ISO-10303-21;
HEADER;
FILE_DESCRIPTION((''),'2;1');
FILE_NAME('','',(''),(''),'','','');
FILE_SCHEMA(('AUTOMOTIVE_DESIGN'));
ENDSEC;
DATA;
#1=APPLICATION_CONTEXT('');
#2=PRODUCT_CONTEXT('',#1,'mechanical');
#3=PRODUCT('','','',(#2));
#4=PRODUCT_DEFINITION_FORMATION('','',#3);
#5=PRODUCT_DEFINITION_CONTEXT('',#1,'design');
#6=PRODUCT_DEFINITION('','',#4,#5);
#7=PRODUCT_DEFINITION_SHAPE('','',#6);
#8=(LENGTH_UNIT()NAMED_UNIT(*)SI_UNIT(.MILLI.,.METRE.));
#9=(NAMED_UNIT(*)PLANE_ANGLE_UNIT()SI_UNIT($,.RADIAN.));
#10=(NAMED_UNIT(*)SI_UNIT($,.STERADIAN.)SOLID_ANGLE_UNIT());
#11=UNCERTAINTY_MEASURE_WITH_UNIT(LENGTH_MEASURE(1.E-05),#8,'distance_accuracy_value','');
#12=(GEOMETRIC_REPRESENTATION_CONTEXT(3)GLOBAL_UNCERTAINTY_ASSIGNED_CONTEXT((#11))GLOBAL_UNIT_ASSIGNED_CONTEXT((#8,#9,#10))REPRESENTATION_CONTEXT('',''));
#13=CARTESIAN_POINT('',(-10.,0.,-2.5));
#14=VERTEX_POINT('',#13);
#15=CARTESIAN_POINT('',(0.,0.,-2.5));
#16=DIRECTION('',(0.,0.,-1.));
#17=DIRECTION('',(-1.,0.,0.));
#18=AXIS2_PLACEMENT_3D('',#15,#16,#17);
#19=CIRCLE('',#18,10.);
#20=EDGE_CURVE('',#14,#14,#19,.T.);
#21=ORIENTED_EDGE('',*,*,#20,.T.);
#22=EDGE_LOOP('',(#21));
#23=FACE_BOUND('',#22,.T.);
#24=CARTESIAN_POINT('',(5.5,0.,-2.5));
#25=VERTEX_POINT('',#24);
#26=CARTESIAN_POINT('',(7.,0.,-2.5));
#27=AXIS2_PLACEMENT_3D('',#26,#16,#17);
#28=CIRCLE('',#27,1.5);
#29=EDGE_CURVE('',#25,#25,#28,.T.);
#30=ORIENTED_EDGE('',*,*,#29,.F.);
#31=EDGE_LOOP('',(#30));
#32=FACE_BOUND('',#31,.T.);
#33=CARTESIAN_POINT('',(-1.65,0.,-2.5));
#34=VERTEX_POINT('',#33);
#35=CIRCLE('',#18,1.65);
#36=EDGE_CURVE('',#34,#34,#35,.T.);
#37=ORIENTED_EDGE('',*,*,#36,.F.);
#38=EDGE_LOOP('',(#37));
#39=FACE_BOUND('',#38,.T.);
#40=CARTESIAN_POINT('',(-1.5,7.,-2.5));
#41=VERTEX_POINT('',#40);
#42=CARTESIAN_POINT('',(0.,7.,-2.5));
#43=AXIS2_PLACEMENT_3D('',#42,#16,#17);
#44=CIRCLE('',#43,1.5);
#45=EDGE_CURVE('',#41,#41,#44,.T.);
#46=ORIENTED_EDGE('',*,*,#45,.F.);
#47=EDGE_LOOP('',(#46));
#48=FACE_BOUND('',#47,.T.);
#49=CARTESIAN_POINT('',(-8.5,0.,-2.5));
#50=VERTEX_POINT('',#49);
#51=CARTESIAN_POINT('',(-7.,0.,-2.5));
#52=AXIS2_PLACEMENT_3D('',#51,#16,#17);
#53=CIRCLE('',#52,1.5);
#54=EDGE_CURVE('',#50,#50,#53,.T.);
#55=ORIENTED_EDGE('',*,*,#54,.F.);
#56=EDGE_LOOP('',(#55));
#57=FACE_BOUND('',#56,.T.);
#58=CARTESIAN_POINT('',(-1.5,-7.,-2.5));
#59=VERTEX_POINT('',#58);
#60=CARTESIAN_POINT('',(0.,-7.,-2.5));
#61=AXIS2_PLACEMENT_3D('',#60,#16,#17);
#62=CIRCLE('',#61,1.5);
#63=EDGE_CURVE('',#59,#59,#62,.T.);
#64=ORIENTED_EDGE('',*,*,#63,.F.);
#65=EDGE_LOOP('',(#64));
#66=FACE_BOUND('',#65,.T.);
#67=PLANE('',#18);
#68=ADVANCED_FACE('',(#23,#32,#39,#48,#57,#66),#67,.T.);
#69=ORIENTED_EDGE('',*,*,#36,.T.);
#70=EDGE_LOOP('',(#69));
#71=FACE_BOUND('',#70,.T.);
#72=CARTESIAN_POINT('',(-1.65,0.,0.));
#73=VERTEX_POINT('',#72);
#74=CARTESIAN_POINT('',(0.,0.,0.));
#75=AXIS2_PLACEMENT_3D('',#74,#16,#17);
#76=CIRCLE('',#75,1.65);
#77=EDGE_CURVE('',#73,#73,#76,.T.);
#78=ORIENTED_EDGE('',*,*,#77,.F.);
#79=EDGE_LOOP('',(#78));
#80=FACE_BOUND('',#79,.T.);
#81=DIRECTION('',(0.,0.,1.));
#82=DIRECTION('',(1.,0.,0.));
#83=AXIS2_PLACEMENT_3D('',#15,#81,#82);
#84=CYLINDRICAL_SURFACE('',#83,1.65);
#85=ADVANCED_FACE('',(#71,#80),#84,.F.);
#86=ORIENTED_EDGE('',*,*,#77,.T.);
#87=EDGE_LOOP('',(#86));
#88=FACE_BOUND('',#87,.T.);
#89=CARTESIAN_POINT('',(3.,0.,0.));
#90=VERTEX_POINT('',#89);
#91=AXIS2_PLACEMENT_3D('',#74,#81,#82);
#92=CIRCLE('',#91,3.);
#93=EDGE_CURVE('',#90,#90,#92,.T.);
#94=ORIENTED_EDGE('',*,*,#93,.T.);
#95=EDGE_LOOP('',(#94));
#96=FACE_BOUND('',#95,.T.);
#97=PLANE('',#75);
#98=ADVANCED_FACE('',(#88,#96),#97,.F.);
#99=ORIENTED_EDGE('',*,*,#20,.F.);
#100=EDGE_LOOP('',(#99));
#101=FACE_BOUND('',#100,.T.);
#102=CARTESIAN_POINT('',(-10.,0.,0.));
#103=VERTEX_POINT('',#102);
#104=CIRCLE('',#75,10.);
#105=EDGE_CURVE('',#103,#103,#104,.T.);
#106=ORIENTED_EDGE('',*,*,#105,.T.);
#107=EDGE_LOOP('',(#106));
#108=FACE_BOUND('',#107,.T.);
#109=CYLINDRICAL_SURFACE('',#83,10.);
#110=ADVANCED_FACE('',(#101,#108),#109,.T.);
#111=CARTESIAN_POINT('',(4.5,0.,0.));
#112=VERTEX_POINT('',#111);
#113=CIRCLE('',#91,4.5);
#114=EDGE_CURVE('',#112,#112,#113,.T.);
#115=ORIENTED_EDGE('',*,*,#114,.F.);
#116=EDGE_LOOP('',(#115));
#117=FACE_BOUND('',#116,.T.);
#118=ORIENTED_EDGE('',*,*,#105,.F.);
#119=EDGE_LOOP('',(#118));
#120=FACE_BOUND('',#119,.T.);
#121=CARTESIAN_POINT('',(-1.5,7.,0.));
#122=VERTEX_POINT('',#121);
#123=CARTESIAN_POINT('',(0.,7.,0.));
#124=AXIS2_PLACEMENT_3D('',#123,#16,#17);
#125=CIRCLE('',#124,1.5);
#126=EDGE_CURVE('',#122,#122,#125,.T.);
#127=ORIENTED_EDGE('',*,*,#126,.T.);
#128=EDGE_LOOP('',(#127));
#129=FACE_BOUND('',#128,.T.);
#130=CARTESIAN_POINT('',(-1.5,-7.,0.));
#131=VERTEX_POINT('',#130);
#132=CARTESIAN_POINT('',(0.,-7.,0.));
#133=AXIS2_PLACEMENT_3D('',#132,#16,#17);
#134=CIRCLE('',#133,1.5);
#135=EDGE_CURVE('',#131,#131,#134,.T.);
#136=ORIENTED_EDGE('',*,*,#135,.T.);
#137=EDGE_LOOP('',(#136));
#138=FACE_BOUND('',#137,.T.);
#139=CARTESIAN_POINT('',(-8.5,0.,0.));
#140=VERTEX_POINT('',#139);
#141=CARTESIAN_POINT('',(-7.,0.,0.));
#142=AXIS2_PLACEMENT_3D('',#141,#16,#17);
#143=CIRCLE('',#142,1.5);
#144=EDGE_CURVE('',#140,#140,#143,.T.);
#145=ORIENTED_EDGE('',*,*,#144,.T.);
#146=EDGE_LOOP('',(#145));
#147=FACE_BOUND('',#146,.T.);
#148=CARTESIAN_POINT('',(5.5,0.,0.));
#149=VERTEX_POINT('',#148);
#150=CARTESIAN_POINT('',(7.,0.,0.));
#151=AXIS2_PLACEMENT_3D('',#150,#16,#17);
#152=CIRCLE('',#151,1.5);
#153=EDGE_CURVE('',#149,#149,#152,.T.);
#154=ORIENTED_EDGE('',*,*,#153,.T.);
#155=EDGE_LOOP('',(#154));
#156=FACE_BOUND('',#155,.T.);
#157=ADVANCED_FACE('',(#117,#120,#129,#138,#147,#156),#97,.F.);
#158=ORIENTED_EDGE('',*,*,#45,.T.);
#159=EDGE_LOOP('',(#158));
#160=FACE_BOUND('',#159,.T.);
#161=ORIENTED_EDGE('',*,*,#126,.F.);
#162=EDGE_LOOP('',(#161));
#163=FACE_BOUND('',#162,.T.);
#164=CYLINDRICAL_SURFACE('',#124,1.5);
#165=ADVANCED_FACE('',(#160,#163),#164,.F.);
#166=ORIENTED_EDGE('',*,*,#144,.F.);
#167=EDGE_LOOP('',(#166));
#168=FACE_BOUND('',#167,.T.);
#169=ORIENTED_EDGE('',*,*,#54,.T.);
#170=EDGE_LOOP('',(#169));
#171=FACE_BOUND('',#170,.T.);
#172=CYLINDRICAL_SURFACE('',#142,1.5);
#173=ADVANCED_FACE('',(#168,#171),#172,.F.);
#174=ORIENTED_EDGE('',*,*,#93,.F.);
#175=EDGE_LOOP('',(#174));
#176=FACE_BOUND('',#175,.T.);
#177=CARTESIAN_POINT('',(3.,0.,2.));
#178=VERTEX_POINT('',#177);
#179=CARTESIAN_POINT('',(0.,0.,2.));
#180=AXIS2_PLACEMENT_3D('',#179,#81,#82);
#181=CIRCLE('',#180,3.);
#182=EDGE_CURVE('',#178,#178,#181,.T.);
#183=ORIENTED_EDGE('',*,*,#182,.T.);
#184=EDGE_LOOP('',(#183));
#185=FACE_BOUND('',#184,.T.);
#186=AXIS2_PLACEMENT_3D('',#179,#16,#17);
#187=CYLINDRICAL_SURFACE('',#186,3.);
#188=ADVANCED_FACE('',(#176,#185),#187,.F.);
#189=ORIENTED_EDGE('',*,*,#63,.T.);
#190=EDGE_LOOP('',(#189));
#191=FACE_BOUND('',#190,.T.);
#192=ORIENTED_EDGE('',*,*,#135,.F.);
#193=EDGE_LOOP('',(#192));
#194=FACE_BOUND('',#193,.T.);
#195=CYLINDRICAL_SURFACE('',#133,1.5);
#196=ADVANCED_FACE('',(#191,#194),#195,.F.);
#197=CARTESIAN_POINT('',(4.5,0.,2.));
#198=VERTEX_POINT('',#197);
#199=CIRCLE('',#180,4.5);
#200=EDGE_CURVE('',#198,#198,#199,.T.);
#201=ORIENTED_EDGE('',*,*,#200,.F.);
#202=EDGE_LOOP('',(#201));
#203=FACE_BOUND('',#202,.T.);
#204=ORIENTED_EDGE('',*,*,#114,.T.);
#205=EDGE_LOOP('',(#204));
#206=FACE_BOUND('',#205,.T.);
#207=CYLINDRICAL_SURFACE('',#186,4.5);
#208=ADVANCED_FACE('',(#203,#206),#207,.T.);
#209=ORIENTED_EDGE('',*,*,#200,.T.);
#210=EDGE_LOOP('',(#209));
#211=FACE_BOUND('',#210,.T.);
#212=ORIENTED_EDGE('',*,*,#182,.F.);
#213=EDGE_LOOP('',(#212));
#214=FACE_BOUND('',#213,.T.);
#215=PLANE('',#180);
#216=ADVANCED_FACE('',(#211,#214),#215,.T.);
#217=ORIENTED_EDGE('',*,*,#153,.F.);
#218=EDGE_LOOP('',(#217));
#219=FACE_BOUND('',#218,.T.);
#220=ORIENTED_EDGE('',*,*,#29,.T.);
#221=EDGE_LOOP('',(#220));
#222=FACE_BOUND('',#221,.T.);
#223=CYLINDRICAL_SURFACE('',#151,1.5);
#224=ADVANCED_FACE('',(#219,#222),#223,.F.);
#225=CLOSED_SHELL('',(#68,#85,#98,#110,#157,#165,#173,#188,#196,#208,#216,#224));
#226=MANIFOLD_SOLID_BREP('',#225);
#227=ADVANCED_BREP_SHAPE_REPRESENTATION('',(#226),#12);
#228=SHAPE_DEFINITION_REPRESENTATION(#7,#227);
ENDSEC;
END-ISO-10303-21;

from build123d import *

# Parameters (mm, degrees)
SKETCH_1_R          = 4.5
SKETCH_1_R_2        = 3
EXTRUDE_1_DEPTH     = 2
SKETCH_2_R          = 10
SKETCH_2_R_2        = 1.65
EXTRUDE_2_DEPTH     = 2.5
SKETCH_3_R          = 1.5
CUT_EXTRUDE_1_DEPTH = 2.5


with BuildPart() as part:
    # 草图1 → 凸台-拉伸1 (new body)
    with BuildSketch(Plane.XY):
        Circle(SKETCH_1_R)
        Circle(SKETCH_1_R_2, mode=Mode.SUBTRACT)
    extrude(amount=EXTRUDE_1_DEPTH)

    # 草图2 → 凸台-拉伸2 (add)
    with BuildSketch(Plane(origin=(0, 0, 0), x_dir=(-1, 0, 0), z_dir=(0, 0, -1))):
        Circle(SKETCH_2_R)
        Circle(SKETCH_2_R_2, mode=Mode.SUBTRACT)
    extrude(amount=EXTRUDE_2_DEPTH)

    # 草图3 → 切除-拉伸1 (cut)
    with BuildSketch(Plane(origin=(0, 0, -2.5), x_dir=(-1, 0, 0), z_dir=(0, 0, -1))):
        with Locations((7, 0)):
            Circle(SKETCH_3_R)
        with Locations((0, -7)):
            Circle(SKETCH_3_R)
        with Locations((-7, 0)):
            Circle(SKETCH_3_R)
        with Locations((0, 7)):
            Circle(SKETCH_3_R)
    extrude(amount=-CUT_EXTRUDE_1_DEPTH, mode=Mode.SUBTRACT)


solid = part.part
